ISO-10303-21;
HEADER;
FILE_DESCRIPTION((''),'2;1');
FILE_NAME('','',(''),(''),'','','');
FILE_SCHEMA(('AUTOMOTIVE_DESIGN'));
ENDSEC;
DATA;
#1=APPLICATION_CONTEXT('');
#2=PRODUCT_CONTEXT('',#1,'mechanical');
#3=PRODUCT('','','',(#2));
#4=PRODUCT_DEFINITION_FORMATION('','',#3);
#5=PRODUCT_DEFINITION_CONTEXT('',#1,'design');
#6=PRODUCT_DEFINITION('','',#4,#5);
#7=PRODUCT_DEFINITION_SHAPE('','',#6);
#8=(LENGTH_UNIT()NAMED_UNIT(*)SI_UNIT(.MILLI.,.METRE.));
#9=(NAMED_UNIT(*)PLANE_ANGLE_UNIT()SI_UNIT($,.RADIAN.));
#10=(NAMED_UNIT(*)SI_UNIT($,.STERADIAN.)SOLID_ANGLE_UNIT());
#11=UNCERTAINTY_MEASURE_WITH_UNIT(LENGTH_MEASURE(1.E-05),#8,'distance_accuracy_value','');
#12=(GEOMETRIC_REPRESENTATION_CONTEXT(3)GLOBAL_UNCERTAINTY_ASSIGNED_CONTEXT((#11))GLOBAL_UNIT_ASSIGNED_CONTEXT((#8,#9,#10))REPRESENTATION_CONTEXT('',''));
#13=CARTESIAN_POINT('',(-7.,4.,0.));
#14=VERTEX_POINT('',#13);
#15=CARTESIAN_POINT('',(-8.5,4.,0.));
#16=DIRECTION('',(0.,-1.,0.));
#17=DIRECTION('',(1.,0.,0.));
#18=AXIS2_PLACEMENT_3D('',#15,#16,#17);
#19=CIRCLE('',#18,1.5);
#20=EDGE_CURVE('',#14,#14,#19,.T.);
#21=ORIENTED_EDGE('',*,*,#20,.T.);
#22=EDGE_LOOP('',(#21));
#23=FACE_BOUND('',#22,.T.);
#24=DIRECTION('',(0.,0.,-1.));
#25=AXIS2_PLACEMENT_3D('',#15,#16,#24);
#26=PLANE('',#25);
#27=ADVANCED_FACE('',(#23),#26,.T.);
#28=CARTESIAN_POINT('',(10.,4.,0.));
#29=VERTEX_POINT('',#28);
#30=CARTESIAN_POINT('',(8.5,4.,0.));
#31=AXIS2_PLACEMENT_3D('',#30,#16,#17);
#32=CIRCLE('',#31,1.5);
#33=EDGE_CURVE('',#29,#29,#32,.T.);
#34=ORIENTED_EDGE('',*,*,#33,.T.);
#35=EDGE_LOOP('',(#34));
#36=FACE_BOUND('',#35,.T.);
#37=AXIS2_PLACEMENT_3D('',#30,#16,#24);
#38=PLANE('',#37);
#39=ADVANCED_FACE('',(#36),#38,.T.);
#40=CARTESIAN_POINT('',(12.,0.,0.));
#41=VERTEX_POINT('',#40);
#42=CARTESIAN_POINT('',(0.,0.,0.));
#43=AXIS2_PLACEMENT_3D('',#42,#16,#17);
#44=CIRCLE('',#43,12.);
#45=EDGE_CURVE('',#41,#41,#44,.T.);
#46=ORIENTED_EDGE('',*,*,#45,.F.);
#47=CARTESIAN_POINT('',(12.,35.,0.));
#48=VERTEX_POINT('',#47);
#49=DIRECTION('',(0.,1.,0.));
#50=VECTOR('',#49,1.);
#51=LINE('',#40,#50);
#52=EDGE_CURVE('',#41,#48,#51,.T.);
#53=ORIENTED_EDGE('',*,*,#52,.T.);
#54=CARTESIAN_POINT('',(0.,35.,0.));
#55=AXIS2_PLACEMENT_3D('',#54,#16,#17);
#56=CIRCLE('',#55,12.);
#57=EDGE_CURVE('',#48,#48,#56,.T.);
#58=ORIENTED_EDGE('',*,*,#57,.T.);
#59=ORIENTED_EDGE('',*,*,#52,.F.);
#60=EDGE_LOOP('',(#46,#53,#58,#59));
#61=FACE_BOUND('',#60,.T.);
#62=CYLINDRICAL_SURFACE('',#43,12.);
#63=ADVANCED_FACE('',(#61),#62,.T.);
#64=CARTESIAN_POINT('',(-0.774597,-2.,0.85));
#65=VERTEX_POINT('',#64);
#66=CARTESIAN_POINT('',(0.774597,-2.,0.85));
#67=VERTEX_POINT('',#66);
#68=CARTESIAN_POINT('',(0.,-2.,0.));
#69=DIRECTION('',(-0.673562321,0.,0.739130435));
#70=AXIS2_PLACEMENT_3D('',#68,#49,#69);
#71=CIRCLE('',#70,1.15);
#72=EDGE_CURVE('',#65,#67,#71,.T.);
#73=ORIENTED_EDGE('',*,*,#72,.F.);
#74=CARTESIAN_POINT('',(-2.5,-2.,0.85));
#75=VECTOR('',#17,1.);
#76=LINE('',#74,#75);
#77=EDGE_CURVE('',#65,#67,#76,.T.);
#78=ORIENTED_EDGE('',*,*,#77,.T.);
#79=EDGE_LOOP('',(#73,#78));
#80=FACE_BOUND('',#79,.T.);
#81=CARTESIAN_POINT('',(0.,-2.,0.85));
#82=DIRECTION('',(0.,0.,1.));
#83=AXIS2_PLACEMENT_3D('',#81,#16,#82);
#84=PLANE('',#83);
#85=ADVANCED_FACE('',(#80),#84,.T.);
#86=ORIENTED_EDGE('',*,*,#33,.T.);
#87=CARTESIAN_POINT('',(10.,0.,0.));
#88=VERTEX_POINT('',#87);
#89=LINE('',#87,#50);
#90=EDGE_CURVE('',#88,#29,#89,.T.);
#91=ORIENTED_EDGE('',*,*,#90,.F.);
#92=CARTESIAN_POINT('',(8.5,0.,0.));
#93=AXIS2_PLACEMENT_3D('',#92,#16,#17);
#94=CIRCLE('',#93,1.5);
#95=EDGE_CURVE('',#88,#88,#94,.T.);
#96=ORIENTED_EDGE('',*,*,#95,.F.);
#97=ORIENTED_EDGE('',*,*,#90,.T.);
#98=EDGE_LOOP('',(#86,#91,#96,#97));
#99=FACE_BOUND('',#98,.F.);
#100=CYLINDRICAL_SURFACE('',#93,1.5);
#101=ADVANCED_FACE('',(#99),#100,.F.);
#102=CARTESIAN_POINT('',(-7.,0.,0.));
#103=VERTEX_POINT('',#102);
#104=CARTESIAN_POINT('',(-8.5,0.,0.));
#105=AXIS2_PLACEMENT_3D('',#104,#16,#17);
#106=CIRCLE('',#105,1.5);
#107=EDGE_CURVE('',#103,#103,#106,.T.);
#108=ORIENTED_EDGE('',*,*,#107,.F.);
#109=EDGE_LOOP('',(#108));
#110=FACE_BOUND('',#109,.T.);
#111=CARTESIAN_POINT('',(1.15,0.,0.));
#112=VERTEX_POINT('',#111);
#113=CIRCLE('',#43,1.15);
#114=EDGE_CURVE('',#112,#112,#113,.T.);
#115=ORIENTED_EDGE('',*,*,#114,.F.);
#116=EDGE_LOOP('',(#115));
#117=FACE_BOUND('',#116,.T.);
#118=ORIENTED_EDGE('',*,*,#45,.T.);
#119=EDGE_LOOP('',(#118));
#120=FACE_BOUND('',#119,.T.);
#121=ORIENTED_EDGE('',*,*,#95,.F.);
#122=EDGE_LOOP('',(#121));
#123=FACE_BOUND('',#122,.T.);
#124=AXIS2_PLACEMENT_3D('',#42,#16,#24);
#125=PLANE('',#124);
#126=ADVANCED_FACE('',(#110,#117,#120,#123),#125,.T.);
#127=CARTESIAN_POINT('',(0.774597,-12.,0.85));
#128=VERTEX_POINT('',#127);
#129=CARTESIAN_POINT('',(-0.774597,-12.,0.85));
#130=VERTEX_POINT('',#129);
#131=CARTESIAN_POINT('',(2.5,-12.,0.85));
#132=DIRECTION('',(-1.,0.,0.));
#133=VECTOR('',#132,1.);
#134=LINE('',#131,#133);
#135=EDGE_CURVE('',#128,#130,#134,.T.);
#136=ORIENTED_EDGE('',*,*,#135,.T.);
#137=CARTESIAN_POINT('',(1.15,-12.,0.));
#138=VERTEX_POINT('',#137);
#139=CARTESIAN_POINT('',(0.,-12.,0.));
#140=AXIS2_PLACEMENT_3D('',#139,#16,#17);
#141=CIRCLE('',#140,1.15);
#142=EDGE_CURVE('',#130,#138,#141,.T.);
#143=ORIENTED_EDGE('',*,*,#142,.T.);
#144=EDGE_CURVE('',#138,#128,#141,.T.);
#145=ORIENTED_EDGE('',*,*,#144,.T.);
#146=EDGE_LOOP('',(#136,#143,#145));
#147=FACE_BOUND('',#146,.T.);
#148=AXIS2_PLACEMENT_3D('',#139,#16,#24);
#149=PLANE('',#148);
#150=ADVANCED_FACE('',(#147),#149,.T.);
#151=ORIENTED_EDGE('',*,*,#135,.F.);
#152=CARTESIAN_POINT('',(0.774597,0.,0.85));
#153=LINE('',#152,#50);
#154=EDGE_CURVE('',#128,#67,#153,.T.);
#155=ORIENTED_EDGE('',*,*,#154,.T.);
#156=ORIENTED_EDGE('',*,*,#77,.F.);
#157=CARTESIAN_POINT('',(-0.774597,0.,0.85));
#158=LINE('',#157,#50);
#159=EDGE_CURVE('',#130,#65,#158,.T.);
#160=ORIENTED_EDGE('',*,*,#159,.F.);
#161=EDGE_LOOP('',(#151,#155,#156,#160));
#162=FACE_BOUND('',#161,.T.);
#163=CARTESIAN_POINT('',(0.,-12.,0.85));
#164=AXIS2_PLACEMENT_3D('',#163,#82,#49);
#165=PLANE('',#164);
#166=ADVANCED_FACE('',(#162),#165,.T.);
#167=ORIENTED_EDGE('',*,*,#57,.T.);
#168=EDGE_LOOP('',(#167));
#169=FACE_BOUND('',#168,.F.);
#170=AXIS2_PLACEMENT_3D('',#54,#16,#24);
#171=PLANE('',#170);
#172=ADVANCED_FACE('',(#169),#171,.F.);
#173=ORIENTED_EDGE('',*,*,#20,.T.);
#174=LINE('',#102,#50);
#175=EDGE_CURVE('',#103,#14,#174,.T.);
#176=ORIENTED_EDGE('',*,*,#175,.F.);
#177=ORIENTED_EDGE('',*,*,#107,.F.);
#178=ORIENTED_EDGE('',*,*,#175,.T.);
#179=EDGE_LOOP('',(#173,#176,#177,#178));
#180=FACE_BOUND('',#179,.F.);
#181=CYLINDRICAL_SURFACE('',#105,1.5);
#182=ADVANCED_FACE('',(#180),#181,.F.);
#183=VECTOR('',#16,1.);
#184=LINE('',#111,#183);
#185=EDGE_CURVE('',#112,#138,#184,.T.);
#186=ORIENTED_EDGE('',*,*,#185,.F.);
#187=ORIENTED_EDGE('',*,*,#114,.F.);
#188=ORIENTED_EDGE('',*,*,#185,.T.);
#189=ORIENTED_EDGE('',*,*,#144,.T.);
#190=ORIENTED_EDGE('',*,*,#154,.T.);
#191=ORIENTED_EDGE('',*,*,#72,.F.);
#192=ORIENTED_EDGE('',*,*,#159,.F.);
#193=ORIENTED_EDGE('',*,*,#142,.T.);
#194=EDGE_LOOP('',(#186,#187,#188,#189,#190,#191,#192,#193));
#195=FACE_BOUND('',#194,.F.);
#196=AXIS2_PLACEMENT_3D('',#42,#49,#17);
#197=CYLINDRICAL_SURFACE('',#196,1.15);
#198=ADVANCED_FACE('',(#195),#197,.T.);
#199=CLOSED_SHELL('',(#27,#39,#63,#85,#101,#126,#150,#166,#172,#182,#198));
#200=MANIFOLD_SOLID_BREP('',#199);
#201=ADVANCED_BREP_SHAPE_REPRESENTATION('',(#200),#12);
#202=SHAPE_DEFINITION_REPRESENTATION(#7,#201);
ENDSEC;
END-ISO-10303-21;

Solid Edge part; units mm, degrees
sketch "Sketch1" plane through (0, 0, 0) normal (0, -1, 0) x (1, 0, 0)
  circle A0 centre (0, 0) radius 12
extrude "Protrusion1" add sketch "Sketch1" against normal blind 35
sketch "Sketch2" plane through (0, 0, 0) normal (0, -1, 0) x (1, 0, 0)
  circle A0 centre (-8.5, 0) radius 1.5
  circle A1 centre (8.5, 0) radius 1.5
extrude "ExtrudedCutout_1" cut sketch "Sketch2" against normal blind 4
sketch "Sketch3" plane through (0, 0, 0) normal (0, -1, 0) x (1, 0, 0)
  circle A0 centre (0, 0) radius 1.15
extrude "ExtrudedProtrusion_2" add sketch "Sketch3" along normal blind 12
sketch "Sketch4" plane through (0, 0, 0) normal (1, 0, 0) x (0, 1, 0)
  line L0 (-12, 0.85) -> (-2, 0.85)
  line L1 (-2, 0.85) -> (-2, 1.15)
  line L2 (-12, 1.15) -> (-2, 1.15)
  line L3 (-12, 0.85) -> (-12, 1.15)
extrude "ExtrudedCutout_2" cut sketch "Sketch4" along normal mid plane 5
